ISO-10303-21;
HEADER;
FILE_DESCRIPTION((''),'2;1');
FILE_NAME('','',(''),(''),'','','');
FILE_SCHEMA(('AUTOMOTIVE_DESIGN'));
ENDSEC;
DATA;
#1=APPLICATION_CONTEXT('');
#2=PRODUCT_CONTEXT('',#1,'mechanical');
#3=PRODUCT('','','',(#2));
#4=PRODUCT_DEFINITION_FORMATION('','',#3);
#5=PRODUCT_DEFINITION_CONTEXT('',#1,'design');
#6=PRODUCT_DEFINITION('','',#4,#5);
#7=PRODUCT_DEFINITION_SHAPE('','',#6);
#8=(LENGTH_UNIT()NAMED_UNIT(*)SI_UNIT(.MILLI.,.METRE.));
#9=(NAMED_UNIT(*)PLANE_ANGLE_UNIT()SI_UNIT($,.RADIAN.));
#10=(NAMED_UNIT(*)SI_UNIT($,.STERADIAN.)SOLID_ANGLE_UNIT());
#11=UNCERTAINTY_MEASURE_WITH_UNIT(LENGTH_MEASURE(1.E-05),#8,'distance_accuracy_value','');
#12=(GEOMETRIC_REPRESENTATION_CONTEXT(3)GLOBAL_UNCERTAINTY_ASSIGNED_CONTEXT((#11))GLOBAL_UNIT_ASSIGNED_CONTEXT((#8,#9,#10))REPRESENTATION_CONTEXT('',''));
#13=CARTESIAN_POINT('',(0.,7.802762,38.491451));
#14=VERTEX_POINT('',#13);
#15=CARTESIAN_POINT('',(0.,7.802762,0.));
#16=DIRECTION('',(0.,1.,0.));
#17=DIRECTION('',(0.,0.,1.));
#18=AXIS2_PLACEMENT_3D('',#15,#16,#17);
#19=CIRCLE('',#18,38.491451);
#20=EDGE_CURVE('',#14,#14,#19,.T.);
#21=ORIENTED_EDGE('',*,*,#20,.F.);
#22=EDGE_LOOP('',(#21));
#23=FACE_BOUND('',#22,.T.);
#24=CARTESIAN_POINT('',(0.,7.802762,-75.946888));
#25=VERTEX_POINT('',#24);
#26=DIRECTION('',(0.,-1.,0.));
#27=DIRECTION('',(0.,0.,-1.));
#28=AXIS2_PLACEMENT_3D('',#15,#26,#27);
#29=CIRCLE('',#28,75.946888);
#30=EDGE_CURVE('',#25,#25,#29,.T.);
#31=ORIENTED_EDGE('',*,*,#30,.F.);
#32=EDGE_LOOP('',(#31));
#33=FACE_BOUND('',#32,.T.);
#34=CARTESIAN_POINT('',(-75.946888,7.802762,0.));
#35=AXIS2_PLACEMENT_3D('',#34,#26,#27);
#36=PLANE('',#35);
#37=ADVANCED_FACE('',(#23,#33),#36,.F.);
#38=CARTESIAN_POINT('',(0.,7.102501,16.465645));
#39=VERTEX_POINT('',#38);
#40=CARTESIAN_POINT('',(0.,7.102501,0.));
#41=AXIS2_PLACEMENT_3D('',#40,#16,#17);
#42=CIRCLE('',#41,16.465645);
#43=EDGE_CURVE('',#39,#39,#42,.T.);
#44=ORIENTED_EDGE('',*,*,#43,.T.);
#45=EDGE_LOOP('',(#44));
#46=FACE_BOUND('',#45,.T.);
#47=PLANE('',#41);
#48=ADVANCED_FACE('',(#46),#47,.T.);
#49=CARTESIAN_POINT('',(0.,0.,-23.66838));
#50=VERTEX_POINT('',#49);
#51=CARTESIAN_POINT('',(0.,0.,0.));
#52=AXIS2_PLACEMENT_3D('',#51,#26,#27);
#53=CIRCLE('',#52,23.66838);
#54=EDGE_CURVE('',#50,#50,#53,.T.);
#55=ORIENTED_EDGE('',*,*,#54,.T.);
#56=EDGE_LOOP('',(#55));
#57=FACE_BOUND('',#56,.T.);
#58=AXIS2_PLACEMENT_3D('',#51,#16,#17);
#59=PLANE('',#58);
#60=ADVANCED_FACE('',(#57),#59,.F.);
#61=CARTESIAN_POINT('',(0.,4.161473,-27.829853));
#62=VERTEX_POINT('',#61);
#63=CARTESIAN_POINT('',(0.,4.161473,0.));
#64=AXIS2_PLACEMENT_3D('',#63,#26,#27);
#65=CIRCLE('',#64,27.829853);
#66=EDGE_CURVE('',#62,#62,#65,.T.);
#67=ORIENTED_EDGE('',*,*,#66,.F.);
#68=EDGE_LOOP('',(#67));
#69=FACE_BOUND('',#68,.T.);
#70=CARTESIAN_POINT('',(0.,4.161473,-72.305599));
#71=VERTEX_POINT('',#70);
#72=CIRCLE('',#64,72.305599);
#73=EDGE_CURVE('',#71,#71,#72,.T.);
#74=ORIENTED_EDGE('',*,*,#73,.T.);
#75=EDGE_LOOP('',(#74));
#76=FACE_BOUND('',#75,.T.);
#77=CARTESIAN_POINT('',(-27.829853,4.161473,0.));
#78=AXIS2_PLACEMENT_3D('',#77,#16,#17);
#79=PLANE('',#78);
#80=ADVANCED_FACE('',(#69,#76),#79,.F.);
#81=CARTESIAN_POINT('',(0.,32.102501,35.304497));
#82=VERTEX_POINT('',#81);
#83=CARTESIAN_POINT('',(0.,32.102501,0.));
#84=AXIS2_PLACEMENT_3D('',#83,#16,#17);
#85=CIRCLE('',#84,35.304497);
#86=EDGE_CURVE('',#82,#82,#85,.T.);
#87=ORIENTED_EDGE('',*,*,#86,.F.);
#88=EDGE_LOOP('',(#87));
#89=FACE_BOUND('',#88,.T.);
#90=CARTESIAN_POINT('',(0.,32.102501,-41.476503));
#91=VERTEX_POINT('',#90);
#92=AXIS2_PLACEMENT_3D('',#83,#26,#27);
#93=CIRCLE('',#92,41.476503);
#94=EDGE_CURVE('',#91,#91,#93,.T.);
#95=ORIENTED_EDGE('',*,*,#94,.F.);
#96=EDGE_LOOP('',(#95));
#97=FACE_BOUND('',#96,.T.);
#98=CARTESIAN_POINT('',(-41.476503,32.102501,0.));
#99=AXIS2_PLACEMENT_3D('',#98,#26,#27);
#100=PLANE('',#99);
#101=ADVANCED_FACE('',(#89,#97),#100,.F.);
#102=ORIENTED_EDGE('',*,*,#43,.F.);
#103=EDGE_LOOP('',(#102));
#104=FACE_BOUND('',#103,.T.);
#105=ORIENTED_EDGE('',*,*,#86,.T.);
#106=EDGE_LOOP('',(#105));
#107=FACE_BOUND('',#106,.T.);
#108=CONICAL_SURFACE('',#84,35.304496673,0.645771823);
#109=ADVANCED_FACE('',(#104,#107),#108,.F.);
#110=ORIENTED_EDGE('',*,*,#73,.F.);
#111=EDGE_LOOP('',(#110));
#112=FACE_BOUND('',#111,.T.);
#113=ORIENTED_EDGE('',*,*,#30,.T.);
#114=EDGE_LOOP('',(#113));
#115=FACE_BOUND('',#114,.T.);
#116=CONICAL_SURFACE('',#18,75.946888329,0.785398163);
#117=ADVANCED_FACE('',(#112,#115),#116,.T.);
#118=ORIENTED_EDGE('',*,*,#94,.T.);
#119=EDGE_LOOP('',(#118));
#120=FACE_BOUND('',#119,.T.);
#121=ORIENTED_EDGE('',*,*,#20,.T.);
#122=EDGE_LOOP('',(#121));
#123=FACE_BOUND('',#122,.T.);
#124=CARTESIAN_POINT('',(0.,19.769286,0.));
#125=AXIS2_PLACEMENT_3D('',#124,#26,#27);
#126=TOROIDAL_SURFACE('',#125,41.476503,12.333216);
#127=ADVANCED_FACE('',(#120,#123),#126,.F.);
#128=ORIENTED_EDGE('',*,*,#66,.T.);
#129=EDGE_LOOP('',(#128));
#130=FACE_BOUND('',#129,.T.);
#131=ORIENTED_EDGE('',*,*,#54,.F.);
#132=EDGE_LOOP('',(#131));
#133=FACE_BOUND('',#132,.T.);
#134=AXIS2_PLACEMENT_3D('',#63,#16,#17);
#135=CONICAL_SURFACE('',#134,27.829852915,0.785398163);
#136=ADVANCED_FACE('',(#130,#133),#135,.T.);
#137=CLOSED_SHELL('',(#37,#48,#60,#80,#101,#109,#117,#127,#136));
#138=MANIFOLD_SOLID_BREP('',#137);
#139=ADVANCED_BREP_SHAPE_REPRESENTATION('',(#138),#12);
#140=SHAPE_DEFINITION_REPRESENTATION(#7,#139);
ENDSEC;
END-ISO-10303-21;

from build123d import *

# Parameters (mm, degrees)
SKETCH3_R          = 35.304496673
CUT_EXTRUDE2_DEPTH = 25
CUT_EXTRUDE2_DRAFT = -37


with BuildPart() as part:
    # Sketch1 → Revolve1 (revolve)
    with BuildSketch(Plane.XY, mode=Mode.PRIVATE) as revolve1_sk:
        Polygon((0, 0), (-23.668379582, 0), (-27.829852915, 4.161473333), (-72.305599163, 4.161473333), (-75.946888329, 7.8027625), (0, 7.8027625), align=None)
    revolve(revolve1_sk.sketch.rotate(Axis((0, 0, 0), (0, 1, 0)), 270), axis=Axis((0, 0, 0), (0, 1, 0)))

    # Sketch2 → Revolve2 (revolve)
    with BuildSketch(Plane.XY, mode=Mode.PRIVATE) as revolve2_sk:
        with BuildLine():
            Line((-41.476502692, 32.102501356), (0, 32.102501356))
            Line((0, 32.102501356), (0, 7.8027625))
            Line((0, 7.8027625), (-38.491451362, 7.8027625))
            ThreePointArc((-38.491451362, 7.8027625), (-29.235303405, 21.273030582), (-41.476502692, 32.102501356))
        make_face()
    revolve(revolve2_sk.sketch.rotate(Axis((0, 0, 0), (0, 1, 0)), 270), axis=Axis((0, 0, 0), (0, 1, 0)))


with BuildPart() as cut_extrude2_tool:
    # Sketch3 → Cut-Extrude2 (with draft: the straight prism first)
    with BuildSketch(Plane(origin=(0, 32.102501356, 0), x_dir=(1, 0, 0), z_dir=(0, 1, 0))):
        Circle(SKETCH3_R)
    extrude(amount=-CUT_EXTRUDE2_DEPTH)
    # Cut-Extrude2: the draft: its side faces are tilted about the plane it starts from
    cut_extrude2_sides = [cut_extrude2_tool.faces().sort_by_distance(p)[0] for p in [
        (-35.304496673, 19.602501356, 0),
    ]]
    draft(cut_extrude2_sides, Plane(origin=(0, 32.102501356, 0), x_dir=(1, 0, 0), z_dir=(0, 1, 0)), CUT_EXTRUDE2_DRAFT)


with BuildPart() as part_1:
    add(part.part)

    # Cut-Extrude2: cut by cut_extrude2_tool
    add(cut_extrude2_tool.part, mode=Mode.SUBTRACT)


solid = part_1.part
